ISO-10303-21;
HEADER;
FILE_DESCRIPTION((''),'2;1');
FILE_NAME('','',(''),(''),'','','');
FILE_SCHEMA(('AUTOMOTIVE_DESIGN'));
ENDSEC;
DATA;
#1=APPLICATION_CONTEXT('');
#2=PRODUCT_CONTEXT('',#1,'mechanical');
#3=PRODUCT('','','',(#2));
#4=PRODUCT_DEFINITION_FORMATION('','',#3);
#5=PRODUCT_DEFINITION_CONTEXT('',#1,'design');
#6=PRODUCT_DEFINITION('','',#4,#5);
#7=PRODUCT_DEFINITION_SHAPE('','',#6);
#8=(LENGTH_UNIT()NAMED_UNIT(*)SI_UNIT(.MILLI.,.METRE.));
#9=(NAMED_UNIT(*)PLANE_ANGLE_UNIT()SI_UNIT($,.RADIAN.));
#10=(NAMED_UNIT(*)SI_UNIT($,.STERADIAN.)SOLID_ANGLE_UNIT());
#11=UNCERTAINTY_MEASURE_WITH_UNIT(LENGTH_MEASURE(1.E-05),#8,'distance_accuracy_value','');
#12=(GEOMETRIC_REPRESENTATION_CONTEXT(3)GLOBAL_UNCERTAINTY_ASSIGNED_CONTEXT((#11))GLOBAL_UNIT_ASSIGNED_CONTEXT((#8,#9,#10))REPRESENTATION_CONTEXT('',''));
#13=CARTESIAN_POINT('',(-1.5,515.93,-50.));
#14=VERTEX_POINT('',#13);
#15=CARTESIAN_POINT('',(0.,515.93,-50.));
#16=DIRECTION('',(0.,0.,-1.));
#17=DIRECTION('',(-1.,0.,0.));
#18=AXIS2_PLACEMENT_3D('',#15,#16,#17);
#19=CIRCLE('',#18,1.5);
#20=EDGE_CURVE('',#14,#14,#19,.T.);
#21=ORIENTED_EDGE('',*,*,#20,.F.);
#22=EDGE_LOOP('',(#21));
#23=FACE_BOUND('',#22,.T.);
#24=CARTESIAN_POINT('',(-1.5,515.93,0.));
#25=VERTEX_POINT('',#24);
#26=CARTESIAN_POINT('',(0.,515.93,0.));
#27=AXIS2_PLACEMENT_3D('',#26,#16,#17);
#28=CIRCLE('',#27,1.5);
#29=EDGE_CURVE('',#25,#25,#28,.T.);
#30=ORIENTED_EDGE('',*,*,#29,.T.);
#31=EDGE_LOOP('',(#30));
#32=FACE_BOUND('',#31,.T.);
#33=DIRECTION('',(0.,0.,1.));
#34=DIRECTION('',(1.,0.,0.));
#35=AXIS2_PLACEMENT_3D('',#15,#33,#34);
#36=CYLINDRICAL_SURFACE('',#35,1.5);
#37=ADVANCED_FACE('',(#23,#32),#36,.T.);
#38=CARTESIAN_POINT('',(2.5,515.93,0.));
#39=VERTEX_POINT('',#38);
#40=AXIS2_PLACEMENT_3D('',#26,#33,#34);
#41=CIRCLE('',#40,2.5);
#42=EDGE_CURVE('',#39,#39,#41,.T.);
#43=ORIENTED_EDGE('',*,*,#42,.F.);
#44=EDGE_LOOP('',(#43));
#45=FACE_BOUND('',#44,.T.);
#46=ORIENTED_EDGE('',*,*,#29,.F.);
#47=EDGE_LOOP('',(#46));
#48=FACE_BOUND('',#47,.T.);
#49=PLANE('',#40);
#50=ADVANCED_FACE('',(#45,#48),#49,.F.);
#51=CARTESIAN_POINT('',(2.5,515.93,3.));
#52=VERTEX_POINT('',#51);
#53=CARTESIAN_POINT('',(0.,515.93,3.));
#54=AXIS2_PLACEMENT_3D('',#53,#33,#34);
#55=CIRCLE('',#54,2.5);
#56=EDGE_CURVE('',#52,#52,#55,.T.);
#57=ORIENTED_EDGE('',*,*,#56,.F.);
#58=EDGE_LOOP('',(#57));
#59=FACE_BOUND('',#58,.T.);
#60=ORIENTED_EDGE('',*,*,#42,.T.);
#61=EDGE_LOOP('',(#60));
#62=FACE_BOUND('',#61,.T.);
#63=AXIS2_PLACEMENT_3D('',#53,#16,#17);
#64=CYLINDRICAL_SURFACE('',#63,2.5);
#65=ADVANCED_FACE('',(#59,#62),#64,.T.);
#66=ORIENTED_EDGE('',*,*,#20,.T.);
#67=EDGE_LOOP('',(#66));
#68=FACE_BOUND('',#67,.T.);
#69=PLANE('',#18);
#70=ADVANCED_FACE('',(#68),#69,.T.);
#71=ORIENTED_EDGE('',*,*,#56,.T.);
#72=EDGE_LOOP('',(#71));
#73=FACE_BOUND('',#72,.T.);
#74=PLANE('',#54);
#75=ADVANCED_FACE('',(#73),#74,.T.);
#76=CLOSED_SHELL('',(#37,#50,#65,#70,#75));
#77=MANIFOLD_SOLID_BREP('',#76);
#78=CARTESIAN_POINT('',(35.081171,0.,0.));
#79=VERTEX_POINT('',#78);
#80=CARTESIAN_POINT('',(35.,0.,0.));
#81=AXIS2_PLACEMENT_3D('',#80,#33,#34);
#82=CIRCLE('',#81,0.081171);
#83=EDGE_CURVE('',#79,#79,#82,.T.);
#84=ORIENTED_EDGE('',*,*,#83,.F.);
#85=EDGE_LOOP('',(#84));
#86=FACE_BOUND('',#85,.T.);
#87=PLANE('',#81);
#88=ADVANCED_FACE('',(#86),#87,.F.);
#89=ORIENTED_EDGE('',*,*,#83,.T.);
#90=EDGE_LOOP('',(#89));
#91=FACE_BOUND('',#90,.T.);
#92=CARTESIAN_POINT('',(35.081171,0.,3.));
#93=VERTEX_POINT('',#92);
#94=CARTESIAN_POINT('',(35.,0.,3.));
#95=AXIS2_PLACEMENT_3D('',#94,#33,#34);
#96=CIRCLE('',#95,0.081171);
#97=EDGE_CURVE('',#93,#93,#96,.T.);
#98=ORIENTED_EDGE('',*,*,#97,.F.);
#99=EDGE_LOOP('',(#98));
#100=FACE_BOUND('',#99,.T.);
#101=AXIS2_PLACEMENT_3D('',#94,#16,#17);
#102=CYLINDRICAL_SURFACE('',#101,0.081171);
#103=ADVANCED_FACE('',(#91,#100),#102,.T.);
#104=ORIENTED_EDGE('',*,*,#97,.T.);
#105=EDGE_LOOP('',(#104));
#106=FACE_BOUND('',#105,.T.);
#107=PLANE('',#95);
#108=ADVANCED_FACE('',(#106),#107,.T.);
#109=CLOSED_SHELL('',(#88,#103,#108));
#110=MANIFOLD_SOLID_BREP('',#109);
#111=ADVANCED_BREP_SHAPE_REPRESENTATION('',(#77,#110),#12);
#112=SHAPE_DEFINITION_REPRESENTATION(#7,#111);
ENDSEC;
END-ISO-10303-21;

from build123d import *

# Parameters (mm, degrees)
SKETCH1_R             = 0.081171159
BOSS_EXTRUDE1_DEPTH   = 3
SKETCH1_R_2           = 2.5
BOSS_EXTRUDE1_2_DEPTH = 3
SKETCH2_R             = 1.5
BOSS_EXTRUDE2_DEPTH   = 50


with BuildPart() as part:
    # Sketch1 → Boss-Extrude1 (new body)
    with BuildSketch(Plane.XY):
        with Locations((35, 0)):
            Circle(SKETCH1_R)
    extrude(amount=BOSS_EXTRUDE1_DEPTH)


with BuildPart() as body_2:
    # Sketch1 → Boss-Extrude1 2 (new body)
    with BuildSketch(Plane.XY):
        with Locations((0, 515.93)):
            Circle(SKETCH1_R_2)
    extrude(amount=BOSS_EXTRUDE1_2_DEPTH)

    # Sketch2 → Boss-Extrude2 (add)
    with BuildSketch(Plane(origin=(0, 0, 0), x_dir=(-1, 0, 0), z_dir=(0, 0, -1))):
        with Locations((0, 515.93)):
            Circle(SKETCH2_R)
    extrude(amount=BOSS_EXTRUDE2_DEPTH)


solid = Compound([part.part, body_2.part])
